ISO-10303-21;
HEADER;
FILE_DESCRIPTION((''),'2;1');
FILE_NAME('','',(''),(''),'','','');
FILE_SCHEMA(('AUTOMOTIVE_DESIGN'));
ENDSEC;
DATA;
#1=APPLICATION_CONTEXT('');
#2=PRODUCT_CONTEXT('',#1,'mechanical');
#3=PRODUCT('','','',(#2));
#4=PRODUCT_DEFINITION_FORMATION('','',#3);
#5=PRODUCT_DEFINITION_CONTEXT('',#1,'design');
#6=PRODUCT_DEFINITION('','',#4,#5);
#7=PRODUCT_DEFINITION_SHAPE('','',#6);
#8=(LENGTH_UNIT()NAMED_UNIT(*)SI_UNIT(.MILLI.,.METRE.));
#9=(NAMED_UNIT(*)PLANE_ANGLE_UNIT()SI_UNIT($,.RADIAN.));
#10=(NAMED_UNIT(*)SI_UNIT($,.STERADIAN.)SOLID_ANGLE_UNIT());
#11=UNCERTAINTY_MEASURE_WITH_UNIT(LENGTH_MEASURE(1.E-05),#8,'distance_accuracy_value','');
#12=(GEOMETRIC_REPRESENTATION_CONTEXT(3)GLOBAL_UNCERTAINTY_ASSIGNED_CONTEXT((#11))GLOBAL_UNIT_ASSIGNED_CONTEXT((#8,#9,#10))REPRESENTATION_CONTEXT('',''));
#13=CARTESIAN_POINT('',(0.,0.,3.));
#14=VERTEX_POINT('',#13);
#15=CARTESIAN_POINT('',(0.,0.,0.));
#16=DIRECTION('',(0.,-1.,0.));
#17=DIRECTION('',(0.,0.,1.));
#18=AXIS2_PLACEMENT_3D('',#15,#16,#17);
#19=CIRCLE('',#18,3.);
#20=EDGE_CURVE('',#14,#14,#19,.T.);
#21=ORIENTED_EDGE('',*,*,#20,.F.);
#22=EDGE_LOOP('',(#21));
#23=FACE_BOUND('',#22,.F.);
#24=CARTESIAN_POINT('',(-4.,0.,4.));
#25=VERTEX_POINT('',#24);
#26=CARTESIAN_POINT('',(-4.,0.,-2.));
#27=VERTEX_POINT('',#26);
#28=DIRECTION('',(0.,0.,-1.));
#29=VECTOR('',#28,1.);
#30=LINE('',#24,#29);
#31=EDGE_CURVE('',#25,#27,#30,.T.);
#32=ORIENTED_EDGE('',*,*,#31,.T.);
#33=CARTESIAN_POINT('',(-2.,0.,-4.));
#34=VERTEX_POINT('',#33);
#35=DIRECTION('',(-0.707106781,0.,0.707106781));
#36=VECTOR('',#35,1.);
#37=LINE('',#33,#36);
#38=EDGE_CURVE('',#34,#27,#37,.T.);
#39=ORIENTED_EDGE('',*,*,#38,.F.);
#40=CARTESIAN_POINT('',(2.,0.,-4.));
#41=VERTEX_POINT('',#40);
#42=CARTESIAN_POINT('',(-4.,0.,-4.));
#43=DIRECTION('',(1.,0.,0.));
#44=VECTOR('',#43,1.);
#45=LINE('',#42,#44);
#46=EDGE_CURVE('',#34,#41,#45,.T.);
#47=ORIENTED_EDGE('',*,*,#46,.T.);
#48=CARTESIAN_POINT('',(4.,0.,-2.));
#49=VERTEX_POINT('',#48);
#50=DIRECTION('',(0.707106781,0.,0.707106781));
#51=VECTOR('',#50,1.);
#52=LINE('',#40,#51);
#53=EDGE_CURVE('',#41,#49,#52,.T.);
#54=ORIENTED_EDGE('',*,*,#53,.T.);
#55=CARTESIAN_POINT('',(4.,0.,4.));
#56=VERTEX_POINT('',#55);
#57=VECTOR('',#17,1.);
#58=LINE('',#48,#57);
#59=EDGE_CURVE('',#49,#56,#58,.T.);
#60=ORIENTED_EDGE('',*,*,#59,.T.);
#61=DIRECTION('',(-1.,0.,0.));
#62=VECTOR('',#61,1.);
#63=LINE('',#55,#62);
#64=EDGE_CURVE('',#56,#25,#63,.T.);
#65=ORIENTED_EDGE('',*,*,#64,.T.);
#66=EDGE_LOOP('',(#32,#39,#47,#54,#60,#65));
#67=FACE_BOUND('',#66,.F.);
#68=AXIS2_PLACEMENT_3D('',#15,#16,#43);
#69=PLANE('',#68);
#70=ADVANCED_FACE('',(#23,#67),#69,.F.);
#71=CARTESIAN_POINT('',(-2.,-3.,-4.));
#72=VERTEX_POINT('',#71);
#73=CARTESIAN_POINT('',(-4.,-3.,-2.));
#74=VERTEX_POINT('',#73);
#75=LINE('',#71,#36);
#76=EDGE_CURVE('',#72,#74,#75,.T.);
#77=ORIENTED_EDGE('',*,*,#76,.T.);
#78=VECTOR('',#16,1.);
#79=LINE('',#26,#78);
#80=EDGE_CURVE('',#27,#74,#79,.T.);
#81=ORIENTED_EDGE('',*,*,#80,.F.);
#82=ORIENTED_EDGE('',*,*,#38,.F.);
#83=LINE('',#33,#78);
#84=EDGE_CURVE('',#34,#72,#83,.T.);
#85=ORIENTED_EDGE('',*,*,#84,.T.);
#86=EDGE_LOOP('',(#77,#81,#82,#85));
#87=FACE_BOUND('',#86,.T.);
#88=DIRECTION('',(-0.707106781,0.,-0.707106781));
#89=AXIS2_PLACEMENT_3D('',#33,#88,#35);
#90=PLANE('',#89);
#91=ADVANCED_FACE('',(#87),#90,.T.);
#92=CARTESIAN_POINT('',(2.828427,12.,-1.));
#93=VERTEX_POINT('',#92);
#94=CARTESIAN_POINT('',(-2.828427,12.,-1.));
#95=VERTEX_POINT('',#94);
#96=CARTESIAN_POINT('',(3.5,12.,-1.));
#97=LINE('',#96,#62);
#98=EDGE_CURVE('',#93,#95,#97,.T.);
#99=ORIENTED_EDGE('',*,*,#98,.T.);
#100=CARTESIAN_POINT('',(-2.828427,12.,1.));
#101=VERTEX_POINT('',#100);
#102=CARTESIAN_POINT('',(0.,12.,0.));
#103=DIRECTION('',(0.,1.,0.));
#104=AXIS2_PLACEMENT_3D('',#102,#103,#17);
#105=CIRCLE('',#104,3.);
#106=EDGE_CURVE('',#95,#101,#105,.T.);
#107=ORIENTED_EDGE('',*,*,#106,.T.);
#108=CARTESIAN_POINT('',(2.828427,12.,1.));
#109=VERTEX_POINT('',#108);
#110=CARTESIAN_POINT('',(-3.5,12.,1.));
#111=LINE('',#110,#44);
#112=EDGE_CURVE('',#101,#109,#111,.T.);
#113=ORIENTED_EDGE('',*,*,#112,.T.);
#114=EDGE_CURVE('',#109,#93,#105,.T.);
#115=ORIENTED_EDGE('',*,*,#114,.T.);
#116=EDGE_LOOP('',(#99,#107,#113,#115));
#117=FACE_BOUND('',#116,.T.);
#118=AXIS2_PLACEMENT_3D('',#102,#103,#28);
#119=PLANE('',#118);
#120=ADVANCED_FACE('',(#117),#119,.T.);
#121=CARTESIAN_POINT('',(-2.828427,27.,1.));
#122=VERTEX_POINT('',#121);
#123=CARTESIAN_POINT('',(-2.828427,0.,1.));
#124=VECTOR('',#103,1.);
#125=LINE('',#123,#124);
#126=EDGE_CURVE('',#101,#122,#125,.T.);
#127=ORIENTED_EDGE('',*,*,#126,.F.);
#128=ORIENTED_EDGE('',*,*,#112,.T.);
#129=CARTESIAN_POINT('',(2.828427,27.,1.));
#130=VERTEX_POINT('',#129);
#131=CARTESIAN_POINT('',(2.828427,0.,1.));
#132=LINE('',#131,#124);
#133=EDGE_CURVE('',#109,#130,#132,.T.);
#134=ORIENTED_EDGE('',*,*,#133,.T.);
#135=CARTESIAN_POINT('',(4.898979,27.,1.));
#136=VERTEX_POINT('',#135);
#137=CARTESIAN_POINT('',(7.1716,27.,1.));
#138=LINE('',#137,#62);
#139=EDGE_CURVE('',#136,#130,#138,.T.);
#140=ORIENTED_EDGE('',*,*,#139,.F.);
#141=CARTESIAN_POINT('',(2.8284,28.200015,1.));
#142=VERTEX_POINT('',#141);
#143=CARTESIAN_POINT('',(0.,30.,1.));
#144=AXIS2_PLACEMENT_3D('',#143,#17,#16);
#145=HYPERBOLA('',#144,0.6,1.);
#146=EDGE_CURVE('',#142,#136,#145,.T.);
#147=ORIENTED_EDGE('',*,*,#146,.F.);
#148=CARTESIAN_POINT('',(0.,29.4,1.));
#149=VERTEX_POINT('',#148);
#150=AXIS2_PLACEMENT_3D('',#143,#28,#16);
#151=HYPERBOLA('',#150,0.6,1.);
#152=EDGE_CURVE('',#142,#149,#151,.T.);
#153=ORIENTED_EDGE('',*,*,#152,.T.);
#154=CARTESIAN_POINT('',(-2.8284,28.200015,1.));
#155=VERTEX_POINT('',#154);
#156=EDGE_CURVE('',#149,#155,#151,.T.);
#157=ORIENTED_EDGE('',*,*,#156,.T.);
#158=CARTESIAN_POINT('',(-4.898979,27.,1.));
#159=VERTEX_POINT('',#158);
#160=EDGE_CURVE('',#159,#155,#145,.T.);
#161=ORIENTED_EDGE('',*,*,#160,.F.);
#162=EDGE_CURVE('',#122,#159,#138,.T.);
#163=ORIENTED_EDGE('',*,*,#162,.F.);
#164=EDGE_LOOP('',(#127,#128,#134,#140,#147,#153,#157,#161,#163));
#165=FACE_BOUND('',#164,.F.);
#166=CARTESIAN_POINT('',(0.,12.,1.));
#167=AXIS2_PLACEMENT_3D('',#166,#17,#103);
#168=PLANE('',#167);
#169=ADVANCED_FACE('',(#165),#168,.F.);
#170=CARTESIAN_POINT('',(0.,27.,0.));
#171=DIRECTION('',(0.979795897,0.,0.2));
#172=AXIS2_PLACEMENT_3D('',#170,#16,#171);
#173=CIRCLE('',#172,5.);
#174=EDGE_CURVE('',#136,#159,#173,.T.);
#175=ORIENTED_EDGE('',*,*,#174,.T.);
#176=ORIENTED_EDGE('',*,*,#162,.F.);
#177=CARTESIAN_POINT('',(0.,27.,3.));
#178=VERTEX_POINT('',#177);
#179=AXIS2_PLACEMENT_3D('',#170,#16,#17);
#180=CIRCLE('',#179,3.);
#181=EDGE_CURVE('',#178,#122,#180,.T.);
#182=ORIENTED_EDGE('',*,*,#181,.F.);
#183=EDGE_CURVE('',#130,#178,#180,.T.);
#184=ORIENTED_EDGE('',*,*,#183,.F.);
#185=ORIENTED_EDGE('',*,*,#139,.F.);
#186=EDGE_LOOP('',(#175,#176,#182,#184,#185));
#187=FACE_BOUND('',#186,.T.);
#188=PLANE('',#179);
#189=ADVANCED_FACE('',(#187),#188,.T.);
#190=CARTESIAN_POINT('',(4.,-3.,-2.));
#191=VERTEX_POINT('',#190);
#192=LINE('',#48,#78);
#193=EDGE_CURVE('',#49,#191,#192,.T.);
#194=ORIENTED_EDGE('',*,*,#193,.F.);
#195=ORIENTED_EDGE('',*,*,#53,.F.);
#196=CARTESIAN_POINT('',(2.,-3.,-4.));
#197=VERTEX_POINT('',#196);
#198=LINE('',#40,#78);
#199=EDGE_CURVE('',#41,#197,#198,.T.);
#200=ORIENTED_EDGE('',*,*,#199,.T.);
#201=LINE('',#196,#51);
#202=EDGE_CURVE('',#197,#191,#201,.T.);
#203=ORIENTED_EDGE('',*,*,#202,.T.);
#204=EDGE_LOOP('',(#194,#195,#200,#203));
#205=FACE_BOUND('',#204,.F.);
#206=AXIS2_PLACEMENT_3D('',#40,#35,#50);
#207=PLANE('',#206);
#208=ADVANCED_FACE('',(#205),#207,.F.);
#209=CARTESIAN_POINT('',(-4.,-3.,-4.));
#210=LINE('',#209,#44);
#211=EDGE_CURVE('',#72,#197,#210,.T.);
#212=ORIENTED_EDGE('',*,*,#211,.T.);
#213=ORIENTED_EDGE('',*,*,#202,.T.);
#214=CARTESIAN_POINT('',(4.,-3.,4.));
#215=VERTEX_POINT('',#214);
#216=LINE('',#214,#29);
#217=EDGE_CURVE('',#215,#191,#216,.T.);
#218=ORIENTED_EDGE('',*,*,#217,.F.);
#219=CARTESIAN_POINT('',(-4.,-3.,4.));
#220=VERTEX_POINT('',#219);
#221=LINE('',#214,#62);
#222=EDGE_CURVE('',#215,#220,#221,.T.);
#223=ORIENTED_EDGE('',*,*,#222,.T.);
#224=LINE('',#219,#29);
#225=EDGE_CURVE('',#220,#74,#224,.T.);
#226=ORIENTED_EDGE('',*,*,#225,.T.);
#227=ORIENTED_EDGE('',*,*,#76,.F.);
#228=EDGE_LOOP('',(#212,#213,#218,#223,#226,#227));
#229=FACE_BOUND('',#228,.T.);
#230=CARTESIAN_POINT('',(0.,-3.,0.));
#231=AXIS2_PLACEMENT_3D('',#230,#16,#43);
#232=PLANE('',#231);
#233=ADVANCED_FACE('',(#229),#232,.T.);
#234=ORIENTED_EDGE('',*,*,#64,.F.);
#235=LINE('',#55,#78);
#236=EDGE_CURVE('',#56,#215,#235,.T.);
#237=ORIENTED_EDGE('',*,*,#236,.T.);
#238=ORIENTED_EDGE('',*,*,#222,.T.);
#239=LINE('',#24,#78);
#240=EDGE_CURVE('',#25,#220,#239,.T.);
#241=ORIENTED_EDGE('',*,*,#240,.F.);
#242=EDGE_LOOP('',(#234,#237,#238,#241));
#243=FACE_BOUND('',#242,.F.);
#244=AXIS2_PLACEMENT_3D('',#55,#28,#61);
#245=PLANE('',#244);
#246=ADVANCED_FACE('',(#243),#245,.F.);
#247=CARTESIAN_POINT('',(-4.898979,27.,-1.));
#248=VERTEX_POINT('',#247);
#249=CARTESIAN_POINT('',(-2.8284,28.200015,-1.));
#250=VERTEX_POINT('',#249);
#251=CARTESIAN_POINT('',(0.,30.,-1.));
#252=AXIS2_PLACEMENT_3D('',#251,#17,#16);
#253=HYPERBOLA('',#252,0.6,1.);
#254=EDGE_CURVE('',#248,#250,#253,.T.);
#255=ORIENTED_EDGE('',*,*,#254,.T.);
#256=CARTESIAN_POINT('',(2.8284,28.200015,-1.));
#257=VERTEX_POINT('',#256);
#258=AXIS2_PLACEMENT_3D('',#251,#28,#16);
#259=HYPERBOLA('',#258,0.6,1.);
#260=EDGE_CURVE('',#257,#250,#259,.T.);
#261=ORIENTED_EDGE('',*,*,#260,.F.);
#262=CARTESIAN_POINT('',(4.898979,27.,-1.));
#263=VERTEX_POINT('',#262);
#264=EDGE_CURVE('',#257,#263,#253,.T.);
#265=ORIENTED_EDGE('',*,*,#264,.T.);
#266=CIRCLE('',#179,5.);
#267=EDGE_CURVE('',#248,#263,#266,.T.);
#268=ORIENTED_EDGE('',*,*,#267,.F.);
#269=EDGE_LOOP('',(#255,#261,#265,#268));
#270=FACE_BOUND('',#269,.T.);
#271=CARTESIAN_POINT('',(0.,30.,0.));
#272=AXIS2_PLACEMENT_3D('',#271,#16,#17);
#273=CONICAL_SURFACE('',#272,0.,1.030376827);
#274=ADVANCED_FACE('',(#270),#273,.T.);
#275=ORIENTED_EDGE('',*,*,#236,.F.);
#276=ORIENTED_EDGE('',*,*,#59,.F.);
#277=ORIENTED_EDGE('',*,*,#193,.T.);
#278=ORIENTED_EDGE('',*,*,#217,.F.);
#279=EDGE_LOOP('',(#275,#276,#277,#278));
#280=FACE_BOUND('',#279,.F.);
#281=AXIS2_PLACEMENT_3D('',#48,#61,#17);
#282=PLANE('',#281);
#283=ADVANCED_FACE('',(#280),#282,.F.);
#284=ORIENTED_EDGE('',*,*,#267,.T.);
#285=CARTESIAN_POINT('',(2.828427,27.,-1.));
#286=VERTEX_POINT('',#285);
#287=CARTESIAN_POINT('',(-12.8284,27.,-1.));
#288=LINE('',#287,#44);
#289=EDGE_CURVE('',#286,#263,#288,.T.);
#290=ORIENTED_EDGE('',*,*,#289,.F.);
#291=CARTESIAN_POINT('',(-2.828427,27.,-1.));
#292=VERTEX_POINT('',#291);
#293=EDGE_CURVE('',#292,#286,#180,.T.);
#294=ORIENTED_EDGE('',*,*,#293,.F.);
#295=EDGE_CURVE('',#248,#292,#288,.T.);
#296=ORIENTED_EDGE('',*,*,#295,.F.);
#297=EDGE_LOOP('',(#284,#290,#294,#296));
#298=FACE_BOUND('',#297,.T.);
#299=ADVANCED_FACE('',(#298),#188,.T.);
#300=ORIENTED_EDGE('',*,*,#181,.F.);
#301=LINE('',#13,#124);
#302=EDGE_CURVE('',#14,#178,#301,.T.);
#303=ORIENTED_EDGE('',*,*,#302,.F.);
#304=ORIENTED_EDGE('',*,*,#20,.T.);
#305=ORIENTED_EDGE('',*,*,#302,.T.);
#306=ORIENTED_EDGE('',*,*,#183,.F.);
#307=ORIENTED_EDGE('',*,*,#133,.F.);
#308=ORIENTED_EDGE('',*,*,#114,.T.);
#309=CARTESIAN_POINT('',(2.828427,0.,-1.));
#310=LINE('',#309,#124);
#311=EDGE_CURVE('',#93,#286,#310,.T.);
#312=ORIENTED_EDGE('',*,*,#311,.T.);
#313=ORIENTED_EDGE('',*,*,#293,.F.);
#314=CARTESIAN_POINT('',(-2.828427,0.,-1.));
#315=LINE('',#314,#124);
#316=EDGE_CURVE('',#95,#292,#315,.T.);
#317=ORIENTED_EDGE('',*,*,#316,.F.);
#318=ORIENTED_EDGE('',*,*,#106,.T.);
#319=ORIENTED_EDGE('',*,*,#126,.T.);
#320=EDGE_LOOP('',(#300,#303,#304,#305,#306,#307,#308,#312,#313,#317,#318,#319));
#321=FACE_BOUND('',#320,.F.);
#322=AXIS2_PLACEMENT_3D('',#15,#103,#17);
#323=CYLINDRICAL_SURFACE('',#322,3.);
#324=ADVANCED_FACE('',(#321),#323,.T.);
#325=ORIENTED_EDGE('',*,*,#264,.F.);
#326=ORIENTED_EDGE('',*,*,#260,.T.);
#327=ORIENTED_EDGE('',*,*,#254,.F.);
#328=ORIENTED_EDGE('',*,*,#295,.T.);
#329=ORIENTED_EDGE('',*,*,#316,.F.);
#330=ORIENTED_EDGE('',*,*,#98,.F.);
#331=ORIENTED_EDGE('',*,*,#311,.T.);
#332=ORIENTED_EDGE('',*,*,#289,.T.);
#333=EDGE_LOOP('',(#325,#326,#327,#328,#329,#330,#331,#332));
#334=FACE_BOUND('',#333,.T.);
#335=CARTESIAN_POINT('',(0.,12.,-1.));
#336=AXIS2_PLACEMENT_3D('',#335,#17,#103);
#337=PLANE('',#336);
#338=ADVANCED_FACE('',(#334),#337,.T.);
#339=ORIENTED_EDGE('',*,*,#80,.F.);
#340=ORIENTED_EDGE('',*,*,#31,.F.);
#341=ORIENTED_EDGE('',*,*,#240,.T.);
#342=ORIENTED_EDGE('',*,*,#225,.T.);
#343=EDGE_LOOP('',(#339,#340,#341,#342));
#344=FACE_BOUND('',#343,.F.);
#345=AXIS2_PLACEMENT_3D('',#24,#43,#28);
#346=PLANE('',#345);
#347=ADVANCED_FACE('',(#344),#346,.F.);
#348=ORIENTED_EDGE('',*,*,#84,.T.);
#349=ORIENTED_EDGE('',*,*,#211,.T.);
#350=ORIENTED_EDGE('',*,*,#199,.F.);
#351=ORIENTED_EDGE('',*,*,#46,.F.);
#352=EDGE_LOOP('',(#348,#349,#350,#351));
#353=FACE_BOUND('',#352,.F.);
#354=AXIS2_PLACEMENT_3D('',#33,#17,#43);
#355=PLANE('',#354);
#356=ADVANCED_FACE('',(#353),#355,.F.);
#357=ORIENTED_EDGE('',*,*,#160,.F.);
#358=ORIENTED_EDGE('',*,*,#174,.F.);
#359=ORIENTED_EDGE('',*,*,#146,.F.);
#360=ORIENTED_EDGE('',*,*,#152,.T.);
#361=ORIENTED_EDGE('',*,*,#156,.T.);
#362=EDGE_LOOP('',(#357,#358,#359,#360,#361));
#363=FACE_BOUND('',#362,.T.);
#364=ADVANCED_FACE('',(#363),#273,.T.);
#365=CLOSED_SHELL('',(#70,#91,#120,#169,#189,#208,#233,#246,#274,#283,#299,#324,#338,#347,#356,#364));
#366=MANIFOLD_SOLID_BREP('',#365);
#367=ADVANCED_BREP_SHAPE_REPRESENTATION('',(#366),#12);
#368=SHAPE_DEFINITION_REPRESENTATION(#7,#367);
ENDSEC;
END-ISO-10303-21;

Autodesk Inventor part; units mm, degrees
ref_plane "YZ Plane" through (0, 0, 0) normal (1, 0, 0) x (0, 1, 0)
ref_plane "XZ Plane" through (0, 0, 0) normal (0, 1, 0) x (-1, 0, 0)
ref_plane "XY Plane" through (0, 0, 0) normal (0, 0, 1) x (1, 0, 0)
sketch "Boceto1" plane through (0, 0, 0) normal (1, 0, 0) x (0, 1, 0)
  line L0 (0, 0) -> (0, 3)
  line L1 (0, 3) -> (27, 3)
  line L2 (27, 0) -> (0, 0)
  line L3 (27, 0) -> (30, 0)
  line L4 (30, 0) -> (27, 5)
  line L5 (27, 5) -> (27, 3)
  dimension "d0" = 3
  dimension "d1" = 27
  dimension "d2" = 5
revolve "Revolución1" add sketch "Boceto1" angle 360 about axis through (0, 27, 0) along (0, -1, 0)
sketch "Boceto2" plane through (0, 0, 0) normal (0, -1, 0) x (1, 0, 0)
  line L0 (0, 0) -> (4, 0)
  line L1 (4, 0) -> (4, 4)
  line L2 (4, 4) -> (-4, 4)
  line L3 (-4, 4) -> (-4, -4)
  line L4 (-4, -4) -> (4, -4)
  line L5 (4, -4) -> (4, 0)
  line L6 (4, -4) -> (4, -2)
  line L7 (4, -4) -> (2, -4)
  line L8 (2, -4) -> (4, -2)
  line L9 (-4, -4) -> (-4, -2)
  line L10 (-4, -4) -> (-2, -4)
  line L11 (-2, -4) -> (-4, -2)
  dimension "d5" = 4
  dimension "d6" = 4
  dimension "d7" = 8
  dimension "d8" = 8
  dimension "d9" = 2
extrude "Extrusión1" add sketch "Boceto2" along normal blind 3 contours L5 L8 L4 L11 L3 L2 L1
sketch "Boceto4" plane through (0, 0, 0) normal (1, 0, 0) x (0, 1, 0)
  line L0 (30, 0) -> (27, 0)
  line L1 (27, 0) -> (12, 0)
  line L2 (27, -5) -> (27, 5) projected
  line L3 (27, 0) -> (42, 0) construction
  line L4 (12, 0) -> (12, 1)
  line L5 (12, 1) -> (27, 1)
  line L6 (27, 0) -> (27, 1)
  line L7 (12, 0) -> (12, -1)
  line L8 (12, -1) -> (27, -1)
  line L9 (27, -1) -> (27, 0)
  point P0 (0, 0)
  dimension "d15" = 15
  dimension "d16" = 180
  dimension "d17" = 1
  dimension "d18" = 1
extrude "Extrusión2" cut sketch "Boceto4" along normal mid plane 7
sketch "Boceto5" plane through (0, 27, 0) normal (0, -1, 0) x (1, 0, 0)
  line L0 (-2.8284, -1) -> (2.8284, -1) projected
  line L1 (-2.8284, -1) -> (2.8284, -1)
  arc A0 (2.8284, 1) -> (-2.8284, 1) centre (0, 0) ccw projected
  line L2 (-2.8284, 1) -> (-2.8284, 1)
  line L3 (2.8284, 1) -> (2.8284, -1)
  line L4 (-2.8284, 1) -> (-2.8284, -1)
  line L5 (-2.8284, 1) -> (2.8284, 1) projected
  line L6 (-2.8284, 1) -> (2.8284, 1)
extrude "Extrusión3" cut sketch "Boceto5" against normal blind 7 contours L4 L5 L3 L0
sketch "Boceto6" plane through (-2.8284, 27, 1) normal (1, 0, 0) x (0, 0, -1)
  line L0 (2, 0) -> (0, 0) projected
  line L1 (0, 0) -> (0, 1.2) projected
  line L2 (0, 0) -> (0, 1.2)
  line L3 (0, 1.2) -> (0, 3.2)
  line L4 (0, 0) -> (0, -15) projected
  line L5 (0, 0) -> (2, 0)
  line L6 (2, 0) -> (2, 1.2) projected
  line L7 (2, 0) -> (2, 3.2)
  line L8 (2, 3.2) -> (0, 3.2)
  point P0 (1, -27)
  dimension "d23" = 2
extrude "Extrusión4" cut sketch "Boceto6" along normal mid plane 20
properties part number "tornillo"
